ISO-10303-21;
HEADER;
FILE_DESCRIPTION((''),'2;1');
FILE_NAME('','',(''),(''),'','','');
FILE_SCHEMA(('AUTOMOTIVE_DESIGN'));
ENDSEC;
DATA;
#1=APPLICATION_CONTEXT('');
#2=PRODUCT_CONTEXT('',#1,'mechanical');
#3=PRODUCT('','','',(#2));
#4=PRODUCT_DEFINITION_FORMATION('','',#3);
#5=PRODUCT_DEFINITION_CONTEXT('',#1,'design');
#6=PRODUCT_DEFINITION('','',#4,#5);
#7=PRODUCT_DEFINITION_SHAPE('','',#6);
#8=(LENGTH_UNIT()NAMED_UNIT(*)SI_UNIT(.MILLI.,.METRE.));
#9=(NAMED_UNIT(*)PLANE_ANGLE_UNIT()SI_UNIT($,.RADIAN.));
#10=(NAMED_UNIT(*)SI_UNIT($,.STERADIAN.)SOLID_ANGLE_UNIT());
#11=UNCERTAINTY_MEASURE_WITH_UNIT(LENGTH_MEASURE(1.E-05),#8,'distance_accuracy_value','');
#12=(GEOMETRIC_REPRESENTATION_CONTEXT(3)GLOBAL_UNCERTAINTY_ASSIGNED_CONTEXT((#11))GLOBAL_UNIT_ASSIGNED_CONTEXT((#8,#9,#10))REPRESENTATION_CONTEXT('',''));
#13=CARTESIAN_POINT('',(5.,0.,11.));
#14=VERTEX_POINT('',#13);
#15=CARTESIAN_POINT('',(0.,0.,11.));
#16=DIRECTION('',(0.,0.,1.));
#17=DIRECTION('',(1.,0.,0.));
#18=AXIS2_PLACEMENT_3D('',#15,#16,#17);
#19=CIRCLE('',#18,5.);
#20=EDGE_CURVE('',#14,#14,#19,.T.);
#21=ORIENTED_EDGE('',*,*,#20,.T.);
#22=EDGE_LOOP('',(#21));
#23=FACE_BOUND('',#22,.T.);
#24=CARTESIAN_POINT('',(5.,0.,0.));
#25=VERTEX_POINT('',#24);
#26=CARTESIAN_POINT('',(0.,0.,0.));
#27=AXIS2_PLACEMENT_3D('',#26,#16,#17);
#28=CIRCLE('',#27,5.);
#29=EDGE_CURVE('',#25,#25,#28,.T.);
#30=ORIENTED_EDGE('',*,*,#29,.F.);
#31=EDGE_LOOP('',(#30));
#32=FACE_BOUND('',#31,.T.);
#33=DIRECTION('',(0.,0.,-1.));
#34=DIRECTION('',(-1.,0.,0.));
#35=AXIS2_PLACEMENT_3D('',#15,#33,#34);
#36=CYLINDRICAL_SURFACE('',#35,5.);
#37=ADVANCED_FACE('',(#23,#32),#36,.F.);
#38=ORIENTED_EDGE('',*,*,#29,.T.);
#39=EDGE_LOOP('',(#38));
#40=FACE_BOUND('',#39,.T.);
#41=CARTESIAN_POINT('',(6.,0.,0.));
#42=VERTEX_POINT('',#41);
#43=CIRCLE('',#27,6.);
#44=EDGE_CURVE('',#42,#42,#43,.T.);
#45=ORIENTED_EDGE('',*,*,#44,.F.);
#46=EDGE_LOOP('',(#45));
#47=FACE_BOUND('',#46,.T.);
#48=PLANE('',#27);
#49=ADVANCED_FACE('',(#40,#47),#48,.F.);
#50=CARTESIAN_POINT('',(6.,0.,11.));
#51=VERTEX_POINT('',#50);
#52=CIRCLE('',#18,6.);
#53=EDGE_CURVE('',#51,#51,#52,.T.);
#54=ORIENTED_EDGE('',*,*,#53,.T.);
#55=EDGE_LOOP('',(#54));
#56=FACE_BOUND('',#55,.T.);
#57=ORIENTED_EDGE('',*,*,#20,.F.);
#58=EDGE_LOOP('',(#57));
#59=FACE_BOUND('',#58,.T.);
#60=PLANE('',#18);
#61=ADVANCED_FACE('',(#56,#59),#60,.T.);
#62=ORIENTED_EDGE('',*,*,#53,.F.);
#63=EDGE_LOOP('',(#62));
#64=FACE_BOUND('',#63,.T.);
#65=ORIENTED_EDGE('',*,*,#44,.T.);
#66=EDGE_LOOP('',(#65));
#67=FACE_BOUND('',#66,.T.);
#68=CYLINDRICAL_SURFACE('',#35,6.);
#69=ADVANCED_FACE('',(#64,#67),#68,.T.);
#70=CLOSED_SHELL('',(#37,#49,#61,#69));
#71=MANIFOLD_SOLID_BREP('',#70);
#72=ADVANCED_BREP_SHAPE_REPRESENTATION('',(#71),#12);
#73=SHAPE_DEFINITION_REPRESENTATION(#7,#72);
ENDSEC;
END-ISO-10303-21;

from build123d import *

# Parameters (mm, degrees)
SKETCH_1_R      = 6
SKETCH_1_R_2    = 5
EXTRUDE_1_DEPTH = 11


with BuildPart() as part:
    # 草图1 → 凸台-拉伸1 (new body)
    with BuildSketch(Plane.XY):
        Circle(SKETCH_1_R)
        Circle(SKETCH_1_R_2, mode=Mode.SUBTRACT)
    extrude(amount=EXTRUDE_1_DEPTH)


solid = part.part
